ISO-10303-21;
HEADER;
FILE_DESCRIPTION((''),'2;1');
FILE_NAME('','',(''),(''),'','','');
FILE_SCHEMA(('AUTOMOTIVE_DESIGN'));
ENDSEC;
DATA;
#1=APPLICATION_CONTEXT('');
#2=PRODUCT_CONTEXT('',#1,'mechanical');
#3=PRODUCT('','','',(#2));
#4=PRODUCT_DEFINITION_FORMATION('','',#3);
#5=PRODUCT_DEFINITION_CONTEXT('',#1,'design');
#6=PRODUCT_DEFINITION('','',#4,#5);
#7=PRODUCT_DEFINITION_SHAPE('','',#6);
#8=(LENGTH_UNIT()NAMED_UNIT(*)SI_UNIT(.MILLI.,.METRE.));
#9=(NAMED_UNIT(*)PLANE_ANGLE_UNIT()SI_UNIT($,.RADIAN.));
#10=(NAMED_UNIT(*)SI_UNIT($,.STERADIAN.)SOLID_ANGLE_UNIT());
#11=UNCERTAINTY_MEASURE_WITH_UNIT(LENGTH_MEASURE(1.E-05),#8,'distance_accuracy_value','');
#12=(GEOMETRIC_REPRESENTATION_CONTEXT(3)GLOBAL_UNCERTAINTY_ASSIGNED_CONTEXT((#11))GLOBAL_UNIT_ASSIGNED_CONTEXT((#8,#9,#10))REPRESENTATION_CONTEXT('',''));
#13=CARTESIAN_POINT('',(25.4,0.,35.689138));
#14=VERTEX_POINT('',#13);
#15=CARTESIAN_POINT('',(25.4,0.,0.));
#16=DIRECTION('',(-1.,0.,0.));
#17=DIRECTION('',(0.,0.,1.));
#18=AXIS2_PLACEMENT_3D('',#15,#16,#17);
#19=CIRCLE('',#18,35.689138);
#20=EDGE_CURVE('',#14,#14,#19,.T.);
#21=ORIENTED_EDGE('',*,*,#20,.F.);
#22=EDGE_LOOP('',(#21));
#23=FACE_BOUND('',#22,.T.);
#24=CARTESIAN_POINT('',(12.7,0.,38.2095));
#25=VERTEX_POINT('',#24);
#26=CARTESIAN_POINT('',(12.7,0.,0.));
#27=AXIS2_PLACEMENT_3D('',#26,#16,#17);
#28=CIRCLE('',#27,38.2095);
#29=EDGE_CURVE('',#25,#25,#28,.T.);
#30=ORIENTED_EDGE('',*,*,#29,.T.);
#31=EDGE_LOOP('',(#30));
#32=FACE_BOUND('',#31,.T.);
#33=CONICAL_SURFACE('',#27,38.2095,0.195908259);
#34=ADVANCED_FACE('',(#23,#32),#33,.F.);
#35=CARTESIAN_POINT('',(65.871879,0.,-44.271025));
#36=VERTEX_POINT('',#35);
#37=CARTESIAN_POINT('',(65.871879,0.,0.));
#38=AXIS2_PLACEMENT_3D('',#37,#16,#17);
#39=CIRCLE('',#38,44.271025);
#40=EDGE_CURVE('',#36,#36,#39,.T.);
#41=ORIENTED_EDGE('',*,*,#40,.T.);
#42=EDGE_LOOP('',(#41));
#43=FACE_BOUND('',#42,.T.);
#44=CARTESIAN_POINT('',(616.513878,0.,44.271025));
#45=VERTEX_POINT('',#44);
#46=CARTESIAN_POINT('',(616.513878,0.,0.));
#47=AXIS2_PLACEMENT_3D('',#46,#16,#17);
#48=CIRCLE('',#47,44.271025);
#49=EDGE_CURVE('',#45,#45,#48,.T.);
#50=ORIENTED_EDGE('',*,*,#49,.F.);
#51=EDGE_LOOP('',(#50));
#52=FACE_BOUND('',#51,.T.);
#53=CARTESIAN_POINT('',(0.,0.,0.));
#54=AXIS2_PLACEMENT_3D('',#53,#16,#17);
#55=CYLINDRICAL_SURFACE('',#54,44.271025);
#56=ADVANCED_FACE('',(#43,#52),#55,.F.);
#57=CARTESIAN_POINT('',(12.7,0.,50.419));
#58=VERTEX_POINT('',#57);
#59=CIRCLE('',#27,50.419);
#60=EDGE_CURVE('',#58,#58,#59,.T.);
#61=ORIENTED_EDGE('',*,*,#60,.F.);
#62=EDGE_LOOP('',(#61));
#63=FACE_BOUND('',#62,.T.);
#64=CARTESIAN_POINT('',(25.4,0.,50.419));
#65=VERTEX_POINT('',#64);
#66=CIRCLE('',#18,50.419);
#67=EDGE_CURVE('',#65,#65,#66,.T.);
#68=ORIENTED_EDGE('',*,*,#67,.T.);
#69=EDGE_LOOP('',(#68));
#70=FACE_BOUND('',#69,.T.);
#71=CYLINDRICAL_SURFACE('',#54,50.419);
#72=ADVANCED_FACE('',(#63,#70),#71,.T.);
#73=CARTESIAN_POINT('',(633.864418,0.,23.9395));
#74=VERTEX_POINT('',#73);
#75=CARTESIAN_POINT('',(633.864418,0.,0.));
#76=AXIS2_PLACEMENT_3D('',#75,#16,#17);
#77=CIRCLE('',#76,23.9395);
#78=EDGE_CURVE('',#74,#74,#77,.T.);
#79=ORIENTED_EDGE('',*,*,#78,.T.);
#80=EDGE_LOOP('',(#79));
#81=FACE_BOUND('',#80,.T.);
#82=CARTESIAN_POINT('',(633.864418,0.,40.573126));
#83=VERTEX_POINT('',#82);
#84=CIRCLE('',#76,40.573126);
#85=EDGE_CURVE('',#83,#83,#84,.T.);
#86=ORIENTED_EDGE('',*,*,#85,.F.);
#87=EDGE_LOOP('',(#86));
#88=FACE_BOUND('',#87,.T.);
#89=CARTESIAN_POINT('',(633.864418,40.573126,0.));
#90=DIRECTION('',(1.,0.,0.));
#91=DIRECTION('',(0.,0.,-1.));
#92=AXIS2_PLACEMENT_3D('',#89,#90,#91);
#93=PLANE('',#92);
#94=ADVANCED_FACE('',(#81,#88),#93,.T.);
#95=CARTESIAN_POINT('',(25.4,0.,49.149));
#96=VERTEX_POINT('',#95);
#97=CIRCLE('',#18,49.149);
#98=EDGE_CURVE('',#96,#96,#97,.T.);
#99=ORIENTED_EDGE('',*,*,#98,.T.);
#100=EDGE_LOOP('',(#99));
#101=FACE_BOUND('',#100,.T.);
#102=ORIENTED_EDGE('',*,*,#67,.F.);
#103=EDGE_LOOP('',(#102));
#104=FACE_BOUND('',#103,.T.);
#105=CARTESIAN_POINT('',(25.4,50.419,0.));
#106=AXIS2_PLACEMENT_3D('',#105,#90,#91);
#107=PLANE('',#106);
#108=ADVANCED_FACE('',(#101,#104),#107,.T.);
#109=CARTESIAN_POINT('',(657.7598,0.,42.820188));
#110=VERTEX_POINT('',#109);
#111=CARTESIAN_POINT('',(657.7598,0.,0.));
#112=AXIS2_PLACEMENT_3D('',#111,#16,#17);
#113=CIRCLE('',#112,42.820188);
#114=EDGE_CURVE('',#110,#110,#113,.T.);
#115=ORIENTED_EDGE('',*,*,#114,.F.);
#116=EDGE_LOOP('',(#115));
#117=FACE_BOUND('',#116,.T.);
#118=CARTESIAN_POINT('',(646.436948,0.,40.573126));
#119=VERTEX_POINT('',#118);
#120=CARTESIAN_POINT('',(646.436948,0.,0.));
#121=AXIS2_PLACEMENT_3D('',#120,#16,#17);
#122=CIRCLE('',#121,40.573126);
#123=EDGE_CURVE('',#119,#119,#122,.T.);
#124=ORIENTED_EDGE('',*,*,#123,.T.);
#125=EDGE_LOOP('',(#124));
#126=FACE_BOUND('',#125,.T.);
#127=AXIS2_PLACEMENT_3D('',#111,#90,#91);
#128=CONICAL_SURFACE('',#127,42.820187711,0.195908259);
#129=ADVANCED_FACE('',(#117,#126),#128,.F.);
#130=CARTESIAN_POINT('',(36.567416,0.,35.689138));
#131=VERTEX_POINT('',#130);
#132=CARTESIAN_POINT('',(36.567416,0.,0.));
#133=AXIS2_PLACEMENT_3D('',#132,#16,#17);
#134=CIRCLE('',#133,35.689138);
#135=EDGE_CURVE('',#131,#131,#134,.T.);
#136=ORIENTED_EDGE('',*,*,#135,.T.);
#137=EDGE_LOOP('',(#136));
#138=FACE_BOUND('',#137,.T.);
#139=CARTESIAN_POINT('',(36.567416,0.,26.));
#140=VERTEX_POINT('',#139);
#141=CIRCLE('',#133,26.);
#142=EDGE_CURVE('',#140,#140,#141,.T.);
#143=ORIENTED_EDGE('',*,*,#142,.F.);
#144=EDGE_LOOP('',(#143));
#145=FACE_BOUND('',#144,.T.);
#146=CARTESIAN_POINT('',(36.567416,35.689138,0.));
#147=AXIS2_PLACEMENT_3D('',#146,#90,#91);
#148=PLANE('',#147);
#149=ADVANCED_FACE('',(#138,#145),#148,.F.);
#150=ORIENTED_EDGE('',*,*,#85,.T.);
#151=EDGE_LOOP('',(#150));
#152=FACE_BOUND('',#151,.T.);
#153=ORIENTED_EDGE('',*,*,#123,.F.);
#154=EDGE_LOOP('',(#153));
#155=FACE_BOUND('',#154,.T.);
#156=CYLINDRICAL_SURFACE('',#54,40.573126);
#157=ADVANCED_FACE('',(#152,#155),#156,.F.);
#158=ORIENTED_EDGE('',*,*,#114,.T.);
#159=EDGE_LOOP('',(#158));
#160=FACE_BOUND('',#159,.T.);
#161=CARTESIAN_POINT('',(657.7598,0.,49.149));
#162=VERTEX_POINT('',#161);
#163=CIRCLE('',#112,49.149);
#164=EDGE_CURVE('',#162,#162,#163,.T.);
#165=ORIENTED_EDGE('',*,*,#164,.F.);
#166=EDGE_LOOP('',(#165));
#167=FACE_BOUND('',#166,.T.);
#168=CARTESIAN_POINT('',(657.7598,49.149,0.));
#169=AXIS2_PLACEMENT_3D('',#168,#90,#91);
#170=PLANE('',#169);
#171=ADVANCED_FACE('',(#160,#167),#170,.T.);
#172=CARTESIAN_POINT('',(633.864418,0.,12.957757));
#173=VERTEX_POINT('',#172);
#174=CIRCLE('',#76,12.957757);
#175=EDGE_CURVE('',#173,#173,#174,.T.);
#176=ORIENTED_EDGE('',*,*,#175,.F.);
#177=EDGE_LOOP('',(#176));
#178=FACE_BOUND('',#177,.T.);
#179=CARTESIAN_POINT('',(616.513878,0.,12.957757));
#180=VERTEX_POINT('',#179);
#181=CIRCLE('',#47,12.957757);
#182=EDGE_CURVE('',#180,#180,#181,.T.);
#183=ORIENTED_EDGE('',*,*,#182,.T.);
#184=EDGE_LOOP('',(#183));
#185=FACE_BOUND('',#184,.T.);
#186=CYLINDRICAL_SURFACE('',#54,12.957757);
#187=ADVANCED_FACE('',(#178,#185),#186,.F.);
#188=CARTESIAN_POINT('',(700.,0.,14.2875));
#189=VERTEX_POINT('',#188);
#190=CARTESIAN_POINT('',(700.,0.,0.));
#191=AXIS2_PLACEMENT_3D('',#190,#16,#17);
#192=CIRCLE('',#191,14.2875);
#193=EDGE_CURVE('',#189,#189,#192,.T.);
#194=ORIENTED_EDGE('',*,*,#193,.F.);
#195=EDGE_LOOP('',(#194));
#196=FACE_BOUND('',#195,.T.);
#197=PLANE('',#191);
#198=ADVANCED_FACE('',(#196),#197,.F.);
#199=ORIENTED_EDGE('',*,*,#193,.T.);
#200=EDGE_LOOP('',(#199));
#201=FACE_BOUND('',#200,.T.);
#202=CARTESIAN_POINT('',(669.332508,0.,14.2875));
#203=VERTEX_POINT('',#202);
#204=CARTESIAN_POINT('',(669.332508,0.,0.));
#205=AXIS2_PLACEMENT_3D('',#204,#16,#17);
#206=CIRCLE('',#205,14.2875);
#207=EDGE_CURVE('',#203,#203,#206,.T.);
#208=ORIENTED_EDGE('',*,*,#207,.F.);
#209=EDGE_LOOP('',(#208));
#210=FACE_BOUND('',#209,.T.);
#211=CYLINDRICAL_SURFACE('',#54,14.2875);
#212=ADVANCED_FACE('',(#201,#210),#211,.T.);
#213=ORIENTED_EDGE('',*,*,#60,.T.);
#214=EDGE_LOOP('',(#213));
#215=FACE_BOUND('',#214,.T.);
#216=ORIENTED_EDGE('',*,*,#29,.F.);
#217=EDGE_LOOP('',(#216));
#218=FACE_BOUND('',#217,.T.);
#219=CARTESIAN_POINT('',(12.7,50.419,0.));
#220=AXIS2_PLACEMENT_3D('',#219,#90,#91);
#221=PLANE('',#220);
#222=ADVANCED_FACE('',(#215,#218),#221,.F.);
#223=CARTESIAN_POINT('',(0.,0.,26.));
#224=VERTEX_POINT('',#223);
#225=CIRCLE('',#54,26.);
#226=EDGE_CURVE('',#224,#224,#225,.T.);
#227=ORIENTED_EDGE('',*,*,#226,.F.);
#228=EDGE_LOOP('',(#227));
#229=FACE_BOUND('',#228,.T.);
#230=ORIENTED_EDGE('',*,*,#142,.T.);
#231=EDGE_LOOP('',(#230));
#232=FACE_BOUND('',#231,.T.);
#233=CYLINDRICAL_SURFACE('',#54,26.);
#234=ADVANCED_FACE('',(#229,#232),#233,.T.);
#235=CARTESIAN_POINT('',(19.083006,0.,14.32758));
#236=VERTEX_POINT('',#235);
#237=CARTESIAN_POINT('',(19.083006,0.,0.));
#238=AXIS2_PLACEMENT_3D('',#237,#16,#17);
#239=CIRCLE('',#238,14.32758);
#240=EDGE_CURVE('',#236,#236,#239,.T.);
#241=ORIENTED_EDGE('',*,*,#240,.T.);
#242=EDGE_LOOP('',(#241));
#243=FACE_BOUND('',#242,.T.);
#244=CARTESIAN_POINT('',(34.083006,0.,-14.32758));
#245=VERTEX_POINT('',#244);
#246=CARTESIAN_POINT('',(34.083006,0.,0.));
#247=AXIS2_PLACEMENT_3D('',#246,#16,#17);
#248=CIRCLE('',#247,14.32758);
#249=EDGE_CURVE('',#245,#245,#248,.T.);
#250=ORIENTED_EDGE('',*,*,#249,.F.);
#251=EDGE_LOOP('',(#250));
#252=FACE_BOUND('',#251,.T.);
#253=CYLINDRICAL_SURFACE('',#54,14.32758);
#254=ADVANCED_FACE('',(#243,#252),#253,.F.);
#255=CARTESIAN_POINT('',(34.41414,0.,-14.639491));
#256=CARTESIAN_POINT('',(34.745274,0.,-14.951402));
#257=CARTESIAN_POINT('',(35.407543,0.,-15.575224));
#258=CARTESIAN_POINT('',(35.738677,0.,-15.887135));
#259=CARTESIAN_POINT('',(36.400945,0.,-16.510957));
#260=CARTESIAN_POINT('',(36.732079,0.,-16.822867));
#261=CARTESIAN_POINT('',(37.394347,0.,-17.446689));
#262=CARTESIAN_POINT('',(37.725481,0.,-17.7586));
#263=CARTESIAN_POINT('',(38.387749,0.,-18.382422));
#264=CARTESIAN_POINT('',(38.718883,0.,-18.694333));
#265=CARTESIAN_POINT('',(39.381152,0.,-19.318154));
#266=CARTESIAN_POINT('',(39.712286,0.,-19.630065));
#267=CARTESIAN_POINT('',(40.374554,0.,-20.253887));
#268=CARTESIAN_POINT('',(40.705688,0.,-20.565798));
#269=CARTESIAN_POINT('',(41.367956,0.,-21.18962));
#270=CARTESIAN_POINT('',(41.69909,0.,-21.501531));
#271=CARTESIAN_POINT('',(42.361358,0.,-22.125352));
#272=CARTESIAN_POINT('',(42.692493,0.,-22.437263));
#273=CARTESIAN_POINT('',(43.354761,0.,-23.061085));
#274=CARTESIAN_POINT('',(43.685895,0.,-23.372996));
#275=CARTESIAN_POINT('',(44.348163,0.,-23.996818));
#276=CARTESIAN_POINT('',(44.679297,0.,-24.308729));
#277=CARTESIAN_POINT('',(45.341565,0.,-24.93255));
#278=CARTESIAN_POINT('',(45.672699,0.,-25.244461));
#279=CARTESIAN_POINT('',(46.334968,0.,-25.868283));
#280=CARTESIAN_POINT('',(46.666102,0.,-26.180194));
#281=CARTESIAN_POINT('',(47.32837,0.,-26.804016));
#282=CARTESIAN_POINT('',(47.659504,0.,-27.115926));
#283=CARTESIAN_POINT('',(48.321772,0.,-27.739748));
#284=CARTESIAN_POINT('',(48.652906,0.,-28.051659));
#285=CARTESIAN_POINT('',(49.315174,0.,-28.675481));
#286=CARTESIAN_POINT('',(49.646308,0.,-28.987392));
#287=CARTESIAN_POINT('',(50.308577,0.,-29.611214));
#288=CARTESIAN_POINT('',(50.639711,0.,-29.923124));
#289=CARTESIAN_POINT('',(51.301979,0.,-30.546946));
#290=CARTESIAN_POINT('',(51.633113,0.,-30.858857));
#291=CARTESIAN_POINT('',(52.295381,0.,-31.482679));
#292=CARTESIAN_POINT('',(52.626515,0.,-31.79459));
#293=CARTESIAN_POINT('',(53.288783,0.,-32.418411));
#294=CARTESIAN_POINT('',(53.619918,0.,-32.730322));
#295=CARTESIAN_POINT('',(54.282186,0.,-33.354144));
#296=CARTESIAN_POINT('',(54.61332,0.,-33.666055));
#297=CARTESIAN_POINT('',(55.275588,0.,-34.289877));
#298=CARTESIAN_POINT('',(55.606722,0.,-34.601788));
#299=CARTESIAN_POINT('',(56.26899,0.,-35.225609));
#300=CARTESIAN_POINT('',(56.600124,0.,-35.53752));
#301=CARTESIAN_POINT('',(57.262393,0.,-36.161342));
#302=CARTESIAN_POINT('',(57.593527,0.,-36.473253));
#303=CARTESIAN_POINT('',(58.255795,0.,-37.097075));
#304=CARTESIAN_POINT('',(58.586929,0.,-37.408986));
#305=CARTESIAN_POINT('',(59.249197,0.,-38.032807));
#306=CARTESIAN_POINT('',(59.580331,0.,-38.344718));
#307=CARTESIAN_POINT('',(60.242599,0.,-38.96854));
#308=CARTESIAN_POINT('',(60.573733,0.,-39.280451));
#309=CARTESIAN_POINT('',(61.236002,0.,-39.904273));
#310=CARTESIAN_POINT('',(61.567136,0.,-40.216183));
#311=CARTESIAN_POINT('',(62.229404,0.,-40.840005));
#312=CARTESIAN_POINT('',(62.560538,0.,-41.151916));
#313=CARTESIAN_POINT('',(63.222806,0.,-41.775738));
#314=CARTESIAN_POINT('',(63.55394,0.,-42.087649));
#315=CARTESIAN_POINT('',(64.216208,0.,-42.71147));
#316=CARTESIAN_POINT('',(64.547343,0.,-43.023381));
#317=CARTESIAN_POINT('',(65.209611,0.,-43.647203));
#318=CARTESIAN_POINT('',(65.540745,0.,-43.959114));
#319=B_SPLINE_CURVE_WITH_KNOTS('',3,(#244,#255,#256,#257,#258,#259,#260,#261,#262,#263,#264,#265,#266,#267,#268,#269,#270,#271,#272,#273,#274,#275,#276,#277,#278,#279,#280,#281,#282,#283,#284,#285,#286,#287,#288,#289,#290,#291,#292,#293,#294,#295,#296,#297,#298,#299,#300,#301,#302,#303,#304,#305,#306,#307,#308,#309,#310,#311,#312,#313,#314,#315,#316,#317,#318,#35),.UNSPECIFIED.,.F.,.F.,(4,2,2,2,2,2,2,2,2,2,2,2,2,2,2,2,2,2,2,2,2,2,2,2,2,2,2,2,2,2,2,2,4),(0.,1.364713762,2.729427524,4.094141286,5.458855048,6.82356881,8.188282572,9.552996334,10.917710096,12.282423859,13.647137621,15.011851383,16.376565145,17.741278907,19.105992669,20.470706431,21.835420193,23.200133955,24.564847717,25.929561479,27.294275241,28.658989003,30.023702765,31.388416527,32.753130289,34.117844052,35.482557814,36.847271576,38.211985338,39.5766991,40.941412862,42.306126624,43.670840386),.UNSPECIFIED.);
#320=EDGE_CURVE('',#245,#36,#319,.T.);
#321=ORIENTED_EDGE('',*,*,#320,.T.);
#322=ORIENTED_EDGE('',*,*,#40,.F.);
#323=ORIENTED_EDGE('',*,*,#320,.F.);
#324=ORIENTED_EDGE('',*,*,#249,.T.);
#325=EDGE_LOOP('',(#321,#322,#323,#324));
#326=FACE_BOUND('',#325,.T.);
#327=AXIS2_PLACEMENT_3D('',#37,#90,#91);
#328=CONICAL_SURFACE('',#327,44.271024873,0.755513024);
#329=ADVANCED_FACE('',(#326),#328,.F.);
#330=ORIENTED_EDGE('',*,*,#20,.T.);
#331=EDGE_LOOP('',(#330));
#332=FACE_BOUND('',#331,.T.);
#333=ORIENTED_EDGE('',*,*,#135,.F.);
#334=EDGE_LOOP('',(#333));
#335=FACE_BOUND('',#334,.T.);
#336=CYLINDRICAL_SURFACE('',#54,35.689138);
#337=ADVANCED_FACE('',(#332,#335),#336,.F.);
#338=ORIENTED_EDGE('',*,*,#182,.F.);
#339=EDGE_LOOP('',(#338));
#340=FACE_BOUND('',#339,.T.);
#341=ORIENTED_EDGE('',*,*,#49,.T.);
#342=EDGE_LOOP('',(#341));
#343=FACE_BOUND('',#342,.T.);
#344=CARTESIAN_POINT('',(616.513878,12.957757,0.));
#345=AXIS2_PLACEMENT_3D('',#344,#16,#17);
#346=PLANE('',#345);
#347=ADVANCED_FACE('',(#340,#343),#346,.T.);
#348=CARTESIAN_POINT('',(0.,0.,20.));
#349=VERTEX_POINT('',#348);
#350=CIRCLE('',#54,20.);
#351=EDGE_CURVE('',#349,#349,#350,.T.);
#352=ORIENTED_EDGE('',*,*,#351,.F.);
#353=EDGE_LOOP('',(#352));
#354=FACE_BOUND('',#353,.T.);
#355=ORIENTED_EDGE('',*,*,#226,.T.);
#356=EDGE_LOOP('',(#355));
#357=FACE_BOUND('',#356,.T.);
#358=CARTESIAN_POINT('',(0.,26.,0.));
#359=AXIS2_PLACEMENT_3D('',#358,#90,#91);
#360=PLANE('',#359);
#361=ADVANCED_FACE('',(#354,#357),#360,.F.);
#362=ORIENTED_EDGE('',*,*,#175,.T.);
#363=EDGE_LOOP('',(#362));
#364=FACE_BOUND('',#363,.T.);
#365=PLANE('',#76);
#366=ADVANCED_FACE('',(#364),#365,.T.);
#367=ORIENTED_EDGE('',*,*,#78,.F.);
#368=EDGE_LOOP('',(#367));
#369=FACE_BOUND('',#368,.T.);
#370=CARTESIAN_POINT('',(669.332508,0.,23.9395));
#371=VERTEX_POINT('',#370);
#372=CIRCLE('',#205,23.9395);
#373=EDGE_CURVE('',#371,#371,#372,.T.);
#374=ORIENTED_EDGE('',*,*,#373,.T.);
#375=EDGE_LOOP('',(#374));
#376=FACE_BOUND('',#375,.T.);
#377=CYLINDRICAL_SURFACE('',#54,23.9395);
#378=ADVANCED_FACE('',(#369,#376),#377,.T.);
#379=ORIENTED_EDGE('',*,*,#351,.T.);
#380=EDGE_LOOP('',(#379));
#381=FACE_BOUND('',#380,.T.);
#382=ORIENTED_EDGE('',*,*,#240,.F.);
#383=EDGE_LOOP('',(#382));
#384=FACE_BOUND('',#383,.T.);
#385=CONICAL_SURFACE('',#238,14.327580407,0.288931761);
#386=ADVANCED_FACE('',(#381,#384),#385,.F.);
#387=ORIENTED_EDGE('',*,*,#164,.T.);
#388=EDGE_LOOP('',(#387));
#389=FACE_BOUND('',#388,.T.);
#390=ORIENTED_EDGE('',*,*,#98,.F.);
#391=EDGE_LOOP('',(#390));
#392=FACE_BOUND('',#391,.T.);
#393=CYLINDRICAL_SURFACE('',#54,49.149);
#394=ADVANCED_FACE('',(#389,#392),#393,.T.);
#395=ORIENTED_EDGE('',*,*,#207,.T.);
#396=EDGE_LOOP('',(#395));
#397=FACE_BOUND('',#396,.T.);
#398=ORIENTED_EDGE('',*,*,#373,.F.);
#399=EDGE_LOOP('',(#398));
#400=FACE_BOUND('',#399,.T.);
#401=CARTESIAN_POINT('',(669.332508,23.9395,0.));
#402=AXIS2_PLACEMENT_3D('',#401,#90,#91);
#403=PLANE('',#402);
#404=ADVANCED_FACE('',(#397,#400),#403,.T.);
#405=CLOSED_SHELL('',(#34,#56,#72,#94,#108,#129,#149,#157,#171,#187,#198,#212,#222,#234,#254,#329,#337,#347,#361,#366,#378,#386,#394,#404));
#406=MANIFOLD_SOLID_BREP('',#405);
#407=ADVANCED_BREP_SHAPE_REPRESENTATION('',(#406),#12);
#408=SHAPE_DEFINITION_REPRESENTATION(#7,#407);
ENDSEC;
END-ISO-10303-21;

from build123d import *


with BuildPart() as part:
    # Esquisse2 → Révolution7 (revolve)
    with BuildSketch(Plane.XY, mode=Mode.PRIVATE) as r_volution7_sk:
        Polygon((0, 26), (12.7, 26), (36.56741584, 26), (36.56741584, 35.689138439), (25.4, 35.689138439), (12.7, 38.2095), (12.7, 50.419), (25.4, 50.419), (25.4, 49.149), (657.7598, 49.149), (657.7598, 42.820187711), (646.43694835, 40.573126289), (633.864418395, 40.573126289), (633.864418395, 23.9395), (669.332507907, 23.9395), (669.332507907, 14.2875), (700, 14.2875), (700, 0), (0, 0), align=None)
    revolve(r_volution7_sk.sketch.rotate(Axis((0, 0, 0), (1, 0, 0)), 90), axis=Axis((0, 0, 0), (1, 0, 0)))

    # Esquisse3 → Enlèvement de matière-Révolution1 (revolve, cut)
    with BuildSketch(Plane.XY, mode=Mode.PRIVATE) as enl_vement_de_mati_re_r_volution1_sk:
        Polygon((0, 20), (0, 0), (633.864418395, 0), (633.864418395, 12.957757221), (616.513878227, 12.957757221), (616.513878227, 44.271024873), (65.871878934, 44.271024873), (34.08300614, 14.327580407), (19.08300614, 14.327580407), align=None)
    revolve(enl_vement_de_mati_re_r_volution1_sk.sketch.rotate(Axis((0, 0, 0), (1, 0, 0)), 90), axis=Axis((0, 0, 0), (1, 0, 0)), mode=Mode.SUBTRACT)


solid = part.part
